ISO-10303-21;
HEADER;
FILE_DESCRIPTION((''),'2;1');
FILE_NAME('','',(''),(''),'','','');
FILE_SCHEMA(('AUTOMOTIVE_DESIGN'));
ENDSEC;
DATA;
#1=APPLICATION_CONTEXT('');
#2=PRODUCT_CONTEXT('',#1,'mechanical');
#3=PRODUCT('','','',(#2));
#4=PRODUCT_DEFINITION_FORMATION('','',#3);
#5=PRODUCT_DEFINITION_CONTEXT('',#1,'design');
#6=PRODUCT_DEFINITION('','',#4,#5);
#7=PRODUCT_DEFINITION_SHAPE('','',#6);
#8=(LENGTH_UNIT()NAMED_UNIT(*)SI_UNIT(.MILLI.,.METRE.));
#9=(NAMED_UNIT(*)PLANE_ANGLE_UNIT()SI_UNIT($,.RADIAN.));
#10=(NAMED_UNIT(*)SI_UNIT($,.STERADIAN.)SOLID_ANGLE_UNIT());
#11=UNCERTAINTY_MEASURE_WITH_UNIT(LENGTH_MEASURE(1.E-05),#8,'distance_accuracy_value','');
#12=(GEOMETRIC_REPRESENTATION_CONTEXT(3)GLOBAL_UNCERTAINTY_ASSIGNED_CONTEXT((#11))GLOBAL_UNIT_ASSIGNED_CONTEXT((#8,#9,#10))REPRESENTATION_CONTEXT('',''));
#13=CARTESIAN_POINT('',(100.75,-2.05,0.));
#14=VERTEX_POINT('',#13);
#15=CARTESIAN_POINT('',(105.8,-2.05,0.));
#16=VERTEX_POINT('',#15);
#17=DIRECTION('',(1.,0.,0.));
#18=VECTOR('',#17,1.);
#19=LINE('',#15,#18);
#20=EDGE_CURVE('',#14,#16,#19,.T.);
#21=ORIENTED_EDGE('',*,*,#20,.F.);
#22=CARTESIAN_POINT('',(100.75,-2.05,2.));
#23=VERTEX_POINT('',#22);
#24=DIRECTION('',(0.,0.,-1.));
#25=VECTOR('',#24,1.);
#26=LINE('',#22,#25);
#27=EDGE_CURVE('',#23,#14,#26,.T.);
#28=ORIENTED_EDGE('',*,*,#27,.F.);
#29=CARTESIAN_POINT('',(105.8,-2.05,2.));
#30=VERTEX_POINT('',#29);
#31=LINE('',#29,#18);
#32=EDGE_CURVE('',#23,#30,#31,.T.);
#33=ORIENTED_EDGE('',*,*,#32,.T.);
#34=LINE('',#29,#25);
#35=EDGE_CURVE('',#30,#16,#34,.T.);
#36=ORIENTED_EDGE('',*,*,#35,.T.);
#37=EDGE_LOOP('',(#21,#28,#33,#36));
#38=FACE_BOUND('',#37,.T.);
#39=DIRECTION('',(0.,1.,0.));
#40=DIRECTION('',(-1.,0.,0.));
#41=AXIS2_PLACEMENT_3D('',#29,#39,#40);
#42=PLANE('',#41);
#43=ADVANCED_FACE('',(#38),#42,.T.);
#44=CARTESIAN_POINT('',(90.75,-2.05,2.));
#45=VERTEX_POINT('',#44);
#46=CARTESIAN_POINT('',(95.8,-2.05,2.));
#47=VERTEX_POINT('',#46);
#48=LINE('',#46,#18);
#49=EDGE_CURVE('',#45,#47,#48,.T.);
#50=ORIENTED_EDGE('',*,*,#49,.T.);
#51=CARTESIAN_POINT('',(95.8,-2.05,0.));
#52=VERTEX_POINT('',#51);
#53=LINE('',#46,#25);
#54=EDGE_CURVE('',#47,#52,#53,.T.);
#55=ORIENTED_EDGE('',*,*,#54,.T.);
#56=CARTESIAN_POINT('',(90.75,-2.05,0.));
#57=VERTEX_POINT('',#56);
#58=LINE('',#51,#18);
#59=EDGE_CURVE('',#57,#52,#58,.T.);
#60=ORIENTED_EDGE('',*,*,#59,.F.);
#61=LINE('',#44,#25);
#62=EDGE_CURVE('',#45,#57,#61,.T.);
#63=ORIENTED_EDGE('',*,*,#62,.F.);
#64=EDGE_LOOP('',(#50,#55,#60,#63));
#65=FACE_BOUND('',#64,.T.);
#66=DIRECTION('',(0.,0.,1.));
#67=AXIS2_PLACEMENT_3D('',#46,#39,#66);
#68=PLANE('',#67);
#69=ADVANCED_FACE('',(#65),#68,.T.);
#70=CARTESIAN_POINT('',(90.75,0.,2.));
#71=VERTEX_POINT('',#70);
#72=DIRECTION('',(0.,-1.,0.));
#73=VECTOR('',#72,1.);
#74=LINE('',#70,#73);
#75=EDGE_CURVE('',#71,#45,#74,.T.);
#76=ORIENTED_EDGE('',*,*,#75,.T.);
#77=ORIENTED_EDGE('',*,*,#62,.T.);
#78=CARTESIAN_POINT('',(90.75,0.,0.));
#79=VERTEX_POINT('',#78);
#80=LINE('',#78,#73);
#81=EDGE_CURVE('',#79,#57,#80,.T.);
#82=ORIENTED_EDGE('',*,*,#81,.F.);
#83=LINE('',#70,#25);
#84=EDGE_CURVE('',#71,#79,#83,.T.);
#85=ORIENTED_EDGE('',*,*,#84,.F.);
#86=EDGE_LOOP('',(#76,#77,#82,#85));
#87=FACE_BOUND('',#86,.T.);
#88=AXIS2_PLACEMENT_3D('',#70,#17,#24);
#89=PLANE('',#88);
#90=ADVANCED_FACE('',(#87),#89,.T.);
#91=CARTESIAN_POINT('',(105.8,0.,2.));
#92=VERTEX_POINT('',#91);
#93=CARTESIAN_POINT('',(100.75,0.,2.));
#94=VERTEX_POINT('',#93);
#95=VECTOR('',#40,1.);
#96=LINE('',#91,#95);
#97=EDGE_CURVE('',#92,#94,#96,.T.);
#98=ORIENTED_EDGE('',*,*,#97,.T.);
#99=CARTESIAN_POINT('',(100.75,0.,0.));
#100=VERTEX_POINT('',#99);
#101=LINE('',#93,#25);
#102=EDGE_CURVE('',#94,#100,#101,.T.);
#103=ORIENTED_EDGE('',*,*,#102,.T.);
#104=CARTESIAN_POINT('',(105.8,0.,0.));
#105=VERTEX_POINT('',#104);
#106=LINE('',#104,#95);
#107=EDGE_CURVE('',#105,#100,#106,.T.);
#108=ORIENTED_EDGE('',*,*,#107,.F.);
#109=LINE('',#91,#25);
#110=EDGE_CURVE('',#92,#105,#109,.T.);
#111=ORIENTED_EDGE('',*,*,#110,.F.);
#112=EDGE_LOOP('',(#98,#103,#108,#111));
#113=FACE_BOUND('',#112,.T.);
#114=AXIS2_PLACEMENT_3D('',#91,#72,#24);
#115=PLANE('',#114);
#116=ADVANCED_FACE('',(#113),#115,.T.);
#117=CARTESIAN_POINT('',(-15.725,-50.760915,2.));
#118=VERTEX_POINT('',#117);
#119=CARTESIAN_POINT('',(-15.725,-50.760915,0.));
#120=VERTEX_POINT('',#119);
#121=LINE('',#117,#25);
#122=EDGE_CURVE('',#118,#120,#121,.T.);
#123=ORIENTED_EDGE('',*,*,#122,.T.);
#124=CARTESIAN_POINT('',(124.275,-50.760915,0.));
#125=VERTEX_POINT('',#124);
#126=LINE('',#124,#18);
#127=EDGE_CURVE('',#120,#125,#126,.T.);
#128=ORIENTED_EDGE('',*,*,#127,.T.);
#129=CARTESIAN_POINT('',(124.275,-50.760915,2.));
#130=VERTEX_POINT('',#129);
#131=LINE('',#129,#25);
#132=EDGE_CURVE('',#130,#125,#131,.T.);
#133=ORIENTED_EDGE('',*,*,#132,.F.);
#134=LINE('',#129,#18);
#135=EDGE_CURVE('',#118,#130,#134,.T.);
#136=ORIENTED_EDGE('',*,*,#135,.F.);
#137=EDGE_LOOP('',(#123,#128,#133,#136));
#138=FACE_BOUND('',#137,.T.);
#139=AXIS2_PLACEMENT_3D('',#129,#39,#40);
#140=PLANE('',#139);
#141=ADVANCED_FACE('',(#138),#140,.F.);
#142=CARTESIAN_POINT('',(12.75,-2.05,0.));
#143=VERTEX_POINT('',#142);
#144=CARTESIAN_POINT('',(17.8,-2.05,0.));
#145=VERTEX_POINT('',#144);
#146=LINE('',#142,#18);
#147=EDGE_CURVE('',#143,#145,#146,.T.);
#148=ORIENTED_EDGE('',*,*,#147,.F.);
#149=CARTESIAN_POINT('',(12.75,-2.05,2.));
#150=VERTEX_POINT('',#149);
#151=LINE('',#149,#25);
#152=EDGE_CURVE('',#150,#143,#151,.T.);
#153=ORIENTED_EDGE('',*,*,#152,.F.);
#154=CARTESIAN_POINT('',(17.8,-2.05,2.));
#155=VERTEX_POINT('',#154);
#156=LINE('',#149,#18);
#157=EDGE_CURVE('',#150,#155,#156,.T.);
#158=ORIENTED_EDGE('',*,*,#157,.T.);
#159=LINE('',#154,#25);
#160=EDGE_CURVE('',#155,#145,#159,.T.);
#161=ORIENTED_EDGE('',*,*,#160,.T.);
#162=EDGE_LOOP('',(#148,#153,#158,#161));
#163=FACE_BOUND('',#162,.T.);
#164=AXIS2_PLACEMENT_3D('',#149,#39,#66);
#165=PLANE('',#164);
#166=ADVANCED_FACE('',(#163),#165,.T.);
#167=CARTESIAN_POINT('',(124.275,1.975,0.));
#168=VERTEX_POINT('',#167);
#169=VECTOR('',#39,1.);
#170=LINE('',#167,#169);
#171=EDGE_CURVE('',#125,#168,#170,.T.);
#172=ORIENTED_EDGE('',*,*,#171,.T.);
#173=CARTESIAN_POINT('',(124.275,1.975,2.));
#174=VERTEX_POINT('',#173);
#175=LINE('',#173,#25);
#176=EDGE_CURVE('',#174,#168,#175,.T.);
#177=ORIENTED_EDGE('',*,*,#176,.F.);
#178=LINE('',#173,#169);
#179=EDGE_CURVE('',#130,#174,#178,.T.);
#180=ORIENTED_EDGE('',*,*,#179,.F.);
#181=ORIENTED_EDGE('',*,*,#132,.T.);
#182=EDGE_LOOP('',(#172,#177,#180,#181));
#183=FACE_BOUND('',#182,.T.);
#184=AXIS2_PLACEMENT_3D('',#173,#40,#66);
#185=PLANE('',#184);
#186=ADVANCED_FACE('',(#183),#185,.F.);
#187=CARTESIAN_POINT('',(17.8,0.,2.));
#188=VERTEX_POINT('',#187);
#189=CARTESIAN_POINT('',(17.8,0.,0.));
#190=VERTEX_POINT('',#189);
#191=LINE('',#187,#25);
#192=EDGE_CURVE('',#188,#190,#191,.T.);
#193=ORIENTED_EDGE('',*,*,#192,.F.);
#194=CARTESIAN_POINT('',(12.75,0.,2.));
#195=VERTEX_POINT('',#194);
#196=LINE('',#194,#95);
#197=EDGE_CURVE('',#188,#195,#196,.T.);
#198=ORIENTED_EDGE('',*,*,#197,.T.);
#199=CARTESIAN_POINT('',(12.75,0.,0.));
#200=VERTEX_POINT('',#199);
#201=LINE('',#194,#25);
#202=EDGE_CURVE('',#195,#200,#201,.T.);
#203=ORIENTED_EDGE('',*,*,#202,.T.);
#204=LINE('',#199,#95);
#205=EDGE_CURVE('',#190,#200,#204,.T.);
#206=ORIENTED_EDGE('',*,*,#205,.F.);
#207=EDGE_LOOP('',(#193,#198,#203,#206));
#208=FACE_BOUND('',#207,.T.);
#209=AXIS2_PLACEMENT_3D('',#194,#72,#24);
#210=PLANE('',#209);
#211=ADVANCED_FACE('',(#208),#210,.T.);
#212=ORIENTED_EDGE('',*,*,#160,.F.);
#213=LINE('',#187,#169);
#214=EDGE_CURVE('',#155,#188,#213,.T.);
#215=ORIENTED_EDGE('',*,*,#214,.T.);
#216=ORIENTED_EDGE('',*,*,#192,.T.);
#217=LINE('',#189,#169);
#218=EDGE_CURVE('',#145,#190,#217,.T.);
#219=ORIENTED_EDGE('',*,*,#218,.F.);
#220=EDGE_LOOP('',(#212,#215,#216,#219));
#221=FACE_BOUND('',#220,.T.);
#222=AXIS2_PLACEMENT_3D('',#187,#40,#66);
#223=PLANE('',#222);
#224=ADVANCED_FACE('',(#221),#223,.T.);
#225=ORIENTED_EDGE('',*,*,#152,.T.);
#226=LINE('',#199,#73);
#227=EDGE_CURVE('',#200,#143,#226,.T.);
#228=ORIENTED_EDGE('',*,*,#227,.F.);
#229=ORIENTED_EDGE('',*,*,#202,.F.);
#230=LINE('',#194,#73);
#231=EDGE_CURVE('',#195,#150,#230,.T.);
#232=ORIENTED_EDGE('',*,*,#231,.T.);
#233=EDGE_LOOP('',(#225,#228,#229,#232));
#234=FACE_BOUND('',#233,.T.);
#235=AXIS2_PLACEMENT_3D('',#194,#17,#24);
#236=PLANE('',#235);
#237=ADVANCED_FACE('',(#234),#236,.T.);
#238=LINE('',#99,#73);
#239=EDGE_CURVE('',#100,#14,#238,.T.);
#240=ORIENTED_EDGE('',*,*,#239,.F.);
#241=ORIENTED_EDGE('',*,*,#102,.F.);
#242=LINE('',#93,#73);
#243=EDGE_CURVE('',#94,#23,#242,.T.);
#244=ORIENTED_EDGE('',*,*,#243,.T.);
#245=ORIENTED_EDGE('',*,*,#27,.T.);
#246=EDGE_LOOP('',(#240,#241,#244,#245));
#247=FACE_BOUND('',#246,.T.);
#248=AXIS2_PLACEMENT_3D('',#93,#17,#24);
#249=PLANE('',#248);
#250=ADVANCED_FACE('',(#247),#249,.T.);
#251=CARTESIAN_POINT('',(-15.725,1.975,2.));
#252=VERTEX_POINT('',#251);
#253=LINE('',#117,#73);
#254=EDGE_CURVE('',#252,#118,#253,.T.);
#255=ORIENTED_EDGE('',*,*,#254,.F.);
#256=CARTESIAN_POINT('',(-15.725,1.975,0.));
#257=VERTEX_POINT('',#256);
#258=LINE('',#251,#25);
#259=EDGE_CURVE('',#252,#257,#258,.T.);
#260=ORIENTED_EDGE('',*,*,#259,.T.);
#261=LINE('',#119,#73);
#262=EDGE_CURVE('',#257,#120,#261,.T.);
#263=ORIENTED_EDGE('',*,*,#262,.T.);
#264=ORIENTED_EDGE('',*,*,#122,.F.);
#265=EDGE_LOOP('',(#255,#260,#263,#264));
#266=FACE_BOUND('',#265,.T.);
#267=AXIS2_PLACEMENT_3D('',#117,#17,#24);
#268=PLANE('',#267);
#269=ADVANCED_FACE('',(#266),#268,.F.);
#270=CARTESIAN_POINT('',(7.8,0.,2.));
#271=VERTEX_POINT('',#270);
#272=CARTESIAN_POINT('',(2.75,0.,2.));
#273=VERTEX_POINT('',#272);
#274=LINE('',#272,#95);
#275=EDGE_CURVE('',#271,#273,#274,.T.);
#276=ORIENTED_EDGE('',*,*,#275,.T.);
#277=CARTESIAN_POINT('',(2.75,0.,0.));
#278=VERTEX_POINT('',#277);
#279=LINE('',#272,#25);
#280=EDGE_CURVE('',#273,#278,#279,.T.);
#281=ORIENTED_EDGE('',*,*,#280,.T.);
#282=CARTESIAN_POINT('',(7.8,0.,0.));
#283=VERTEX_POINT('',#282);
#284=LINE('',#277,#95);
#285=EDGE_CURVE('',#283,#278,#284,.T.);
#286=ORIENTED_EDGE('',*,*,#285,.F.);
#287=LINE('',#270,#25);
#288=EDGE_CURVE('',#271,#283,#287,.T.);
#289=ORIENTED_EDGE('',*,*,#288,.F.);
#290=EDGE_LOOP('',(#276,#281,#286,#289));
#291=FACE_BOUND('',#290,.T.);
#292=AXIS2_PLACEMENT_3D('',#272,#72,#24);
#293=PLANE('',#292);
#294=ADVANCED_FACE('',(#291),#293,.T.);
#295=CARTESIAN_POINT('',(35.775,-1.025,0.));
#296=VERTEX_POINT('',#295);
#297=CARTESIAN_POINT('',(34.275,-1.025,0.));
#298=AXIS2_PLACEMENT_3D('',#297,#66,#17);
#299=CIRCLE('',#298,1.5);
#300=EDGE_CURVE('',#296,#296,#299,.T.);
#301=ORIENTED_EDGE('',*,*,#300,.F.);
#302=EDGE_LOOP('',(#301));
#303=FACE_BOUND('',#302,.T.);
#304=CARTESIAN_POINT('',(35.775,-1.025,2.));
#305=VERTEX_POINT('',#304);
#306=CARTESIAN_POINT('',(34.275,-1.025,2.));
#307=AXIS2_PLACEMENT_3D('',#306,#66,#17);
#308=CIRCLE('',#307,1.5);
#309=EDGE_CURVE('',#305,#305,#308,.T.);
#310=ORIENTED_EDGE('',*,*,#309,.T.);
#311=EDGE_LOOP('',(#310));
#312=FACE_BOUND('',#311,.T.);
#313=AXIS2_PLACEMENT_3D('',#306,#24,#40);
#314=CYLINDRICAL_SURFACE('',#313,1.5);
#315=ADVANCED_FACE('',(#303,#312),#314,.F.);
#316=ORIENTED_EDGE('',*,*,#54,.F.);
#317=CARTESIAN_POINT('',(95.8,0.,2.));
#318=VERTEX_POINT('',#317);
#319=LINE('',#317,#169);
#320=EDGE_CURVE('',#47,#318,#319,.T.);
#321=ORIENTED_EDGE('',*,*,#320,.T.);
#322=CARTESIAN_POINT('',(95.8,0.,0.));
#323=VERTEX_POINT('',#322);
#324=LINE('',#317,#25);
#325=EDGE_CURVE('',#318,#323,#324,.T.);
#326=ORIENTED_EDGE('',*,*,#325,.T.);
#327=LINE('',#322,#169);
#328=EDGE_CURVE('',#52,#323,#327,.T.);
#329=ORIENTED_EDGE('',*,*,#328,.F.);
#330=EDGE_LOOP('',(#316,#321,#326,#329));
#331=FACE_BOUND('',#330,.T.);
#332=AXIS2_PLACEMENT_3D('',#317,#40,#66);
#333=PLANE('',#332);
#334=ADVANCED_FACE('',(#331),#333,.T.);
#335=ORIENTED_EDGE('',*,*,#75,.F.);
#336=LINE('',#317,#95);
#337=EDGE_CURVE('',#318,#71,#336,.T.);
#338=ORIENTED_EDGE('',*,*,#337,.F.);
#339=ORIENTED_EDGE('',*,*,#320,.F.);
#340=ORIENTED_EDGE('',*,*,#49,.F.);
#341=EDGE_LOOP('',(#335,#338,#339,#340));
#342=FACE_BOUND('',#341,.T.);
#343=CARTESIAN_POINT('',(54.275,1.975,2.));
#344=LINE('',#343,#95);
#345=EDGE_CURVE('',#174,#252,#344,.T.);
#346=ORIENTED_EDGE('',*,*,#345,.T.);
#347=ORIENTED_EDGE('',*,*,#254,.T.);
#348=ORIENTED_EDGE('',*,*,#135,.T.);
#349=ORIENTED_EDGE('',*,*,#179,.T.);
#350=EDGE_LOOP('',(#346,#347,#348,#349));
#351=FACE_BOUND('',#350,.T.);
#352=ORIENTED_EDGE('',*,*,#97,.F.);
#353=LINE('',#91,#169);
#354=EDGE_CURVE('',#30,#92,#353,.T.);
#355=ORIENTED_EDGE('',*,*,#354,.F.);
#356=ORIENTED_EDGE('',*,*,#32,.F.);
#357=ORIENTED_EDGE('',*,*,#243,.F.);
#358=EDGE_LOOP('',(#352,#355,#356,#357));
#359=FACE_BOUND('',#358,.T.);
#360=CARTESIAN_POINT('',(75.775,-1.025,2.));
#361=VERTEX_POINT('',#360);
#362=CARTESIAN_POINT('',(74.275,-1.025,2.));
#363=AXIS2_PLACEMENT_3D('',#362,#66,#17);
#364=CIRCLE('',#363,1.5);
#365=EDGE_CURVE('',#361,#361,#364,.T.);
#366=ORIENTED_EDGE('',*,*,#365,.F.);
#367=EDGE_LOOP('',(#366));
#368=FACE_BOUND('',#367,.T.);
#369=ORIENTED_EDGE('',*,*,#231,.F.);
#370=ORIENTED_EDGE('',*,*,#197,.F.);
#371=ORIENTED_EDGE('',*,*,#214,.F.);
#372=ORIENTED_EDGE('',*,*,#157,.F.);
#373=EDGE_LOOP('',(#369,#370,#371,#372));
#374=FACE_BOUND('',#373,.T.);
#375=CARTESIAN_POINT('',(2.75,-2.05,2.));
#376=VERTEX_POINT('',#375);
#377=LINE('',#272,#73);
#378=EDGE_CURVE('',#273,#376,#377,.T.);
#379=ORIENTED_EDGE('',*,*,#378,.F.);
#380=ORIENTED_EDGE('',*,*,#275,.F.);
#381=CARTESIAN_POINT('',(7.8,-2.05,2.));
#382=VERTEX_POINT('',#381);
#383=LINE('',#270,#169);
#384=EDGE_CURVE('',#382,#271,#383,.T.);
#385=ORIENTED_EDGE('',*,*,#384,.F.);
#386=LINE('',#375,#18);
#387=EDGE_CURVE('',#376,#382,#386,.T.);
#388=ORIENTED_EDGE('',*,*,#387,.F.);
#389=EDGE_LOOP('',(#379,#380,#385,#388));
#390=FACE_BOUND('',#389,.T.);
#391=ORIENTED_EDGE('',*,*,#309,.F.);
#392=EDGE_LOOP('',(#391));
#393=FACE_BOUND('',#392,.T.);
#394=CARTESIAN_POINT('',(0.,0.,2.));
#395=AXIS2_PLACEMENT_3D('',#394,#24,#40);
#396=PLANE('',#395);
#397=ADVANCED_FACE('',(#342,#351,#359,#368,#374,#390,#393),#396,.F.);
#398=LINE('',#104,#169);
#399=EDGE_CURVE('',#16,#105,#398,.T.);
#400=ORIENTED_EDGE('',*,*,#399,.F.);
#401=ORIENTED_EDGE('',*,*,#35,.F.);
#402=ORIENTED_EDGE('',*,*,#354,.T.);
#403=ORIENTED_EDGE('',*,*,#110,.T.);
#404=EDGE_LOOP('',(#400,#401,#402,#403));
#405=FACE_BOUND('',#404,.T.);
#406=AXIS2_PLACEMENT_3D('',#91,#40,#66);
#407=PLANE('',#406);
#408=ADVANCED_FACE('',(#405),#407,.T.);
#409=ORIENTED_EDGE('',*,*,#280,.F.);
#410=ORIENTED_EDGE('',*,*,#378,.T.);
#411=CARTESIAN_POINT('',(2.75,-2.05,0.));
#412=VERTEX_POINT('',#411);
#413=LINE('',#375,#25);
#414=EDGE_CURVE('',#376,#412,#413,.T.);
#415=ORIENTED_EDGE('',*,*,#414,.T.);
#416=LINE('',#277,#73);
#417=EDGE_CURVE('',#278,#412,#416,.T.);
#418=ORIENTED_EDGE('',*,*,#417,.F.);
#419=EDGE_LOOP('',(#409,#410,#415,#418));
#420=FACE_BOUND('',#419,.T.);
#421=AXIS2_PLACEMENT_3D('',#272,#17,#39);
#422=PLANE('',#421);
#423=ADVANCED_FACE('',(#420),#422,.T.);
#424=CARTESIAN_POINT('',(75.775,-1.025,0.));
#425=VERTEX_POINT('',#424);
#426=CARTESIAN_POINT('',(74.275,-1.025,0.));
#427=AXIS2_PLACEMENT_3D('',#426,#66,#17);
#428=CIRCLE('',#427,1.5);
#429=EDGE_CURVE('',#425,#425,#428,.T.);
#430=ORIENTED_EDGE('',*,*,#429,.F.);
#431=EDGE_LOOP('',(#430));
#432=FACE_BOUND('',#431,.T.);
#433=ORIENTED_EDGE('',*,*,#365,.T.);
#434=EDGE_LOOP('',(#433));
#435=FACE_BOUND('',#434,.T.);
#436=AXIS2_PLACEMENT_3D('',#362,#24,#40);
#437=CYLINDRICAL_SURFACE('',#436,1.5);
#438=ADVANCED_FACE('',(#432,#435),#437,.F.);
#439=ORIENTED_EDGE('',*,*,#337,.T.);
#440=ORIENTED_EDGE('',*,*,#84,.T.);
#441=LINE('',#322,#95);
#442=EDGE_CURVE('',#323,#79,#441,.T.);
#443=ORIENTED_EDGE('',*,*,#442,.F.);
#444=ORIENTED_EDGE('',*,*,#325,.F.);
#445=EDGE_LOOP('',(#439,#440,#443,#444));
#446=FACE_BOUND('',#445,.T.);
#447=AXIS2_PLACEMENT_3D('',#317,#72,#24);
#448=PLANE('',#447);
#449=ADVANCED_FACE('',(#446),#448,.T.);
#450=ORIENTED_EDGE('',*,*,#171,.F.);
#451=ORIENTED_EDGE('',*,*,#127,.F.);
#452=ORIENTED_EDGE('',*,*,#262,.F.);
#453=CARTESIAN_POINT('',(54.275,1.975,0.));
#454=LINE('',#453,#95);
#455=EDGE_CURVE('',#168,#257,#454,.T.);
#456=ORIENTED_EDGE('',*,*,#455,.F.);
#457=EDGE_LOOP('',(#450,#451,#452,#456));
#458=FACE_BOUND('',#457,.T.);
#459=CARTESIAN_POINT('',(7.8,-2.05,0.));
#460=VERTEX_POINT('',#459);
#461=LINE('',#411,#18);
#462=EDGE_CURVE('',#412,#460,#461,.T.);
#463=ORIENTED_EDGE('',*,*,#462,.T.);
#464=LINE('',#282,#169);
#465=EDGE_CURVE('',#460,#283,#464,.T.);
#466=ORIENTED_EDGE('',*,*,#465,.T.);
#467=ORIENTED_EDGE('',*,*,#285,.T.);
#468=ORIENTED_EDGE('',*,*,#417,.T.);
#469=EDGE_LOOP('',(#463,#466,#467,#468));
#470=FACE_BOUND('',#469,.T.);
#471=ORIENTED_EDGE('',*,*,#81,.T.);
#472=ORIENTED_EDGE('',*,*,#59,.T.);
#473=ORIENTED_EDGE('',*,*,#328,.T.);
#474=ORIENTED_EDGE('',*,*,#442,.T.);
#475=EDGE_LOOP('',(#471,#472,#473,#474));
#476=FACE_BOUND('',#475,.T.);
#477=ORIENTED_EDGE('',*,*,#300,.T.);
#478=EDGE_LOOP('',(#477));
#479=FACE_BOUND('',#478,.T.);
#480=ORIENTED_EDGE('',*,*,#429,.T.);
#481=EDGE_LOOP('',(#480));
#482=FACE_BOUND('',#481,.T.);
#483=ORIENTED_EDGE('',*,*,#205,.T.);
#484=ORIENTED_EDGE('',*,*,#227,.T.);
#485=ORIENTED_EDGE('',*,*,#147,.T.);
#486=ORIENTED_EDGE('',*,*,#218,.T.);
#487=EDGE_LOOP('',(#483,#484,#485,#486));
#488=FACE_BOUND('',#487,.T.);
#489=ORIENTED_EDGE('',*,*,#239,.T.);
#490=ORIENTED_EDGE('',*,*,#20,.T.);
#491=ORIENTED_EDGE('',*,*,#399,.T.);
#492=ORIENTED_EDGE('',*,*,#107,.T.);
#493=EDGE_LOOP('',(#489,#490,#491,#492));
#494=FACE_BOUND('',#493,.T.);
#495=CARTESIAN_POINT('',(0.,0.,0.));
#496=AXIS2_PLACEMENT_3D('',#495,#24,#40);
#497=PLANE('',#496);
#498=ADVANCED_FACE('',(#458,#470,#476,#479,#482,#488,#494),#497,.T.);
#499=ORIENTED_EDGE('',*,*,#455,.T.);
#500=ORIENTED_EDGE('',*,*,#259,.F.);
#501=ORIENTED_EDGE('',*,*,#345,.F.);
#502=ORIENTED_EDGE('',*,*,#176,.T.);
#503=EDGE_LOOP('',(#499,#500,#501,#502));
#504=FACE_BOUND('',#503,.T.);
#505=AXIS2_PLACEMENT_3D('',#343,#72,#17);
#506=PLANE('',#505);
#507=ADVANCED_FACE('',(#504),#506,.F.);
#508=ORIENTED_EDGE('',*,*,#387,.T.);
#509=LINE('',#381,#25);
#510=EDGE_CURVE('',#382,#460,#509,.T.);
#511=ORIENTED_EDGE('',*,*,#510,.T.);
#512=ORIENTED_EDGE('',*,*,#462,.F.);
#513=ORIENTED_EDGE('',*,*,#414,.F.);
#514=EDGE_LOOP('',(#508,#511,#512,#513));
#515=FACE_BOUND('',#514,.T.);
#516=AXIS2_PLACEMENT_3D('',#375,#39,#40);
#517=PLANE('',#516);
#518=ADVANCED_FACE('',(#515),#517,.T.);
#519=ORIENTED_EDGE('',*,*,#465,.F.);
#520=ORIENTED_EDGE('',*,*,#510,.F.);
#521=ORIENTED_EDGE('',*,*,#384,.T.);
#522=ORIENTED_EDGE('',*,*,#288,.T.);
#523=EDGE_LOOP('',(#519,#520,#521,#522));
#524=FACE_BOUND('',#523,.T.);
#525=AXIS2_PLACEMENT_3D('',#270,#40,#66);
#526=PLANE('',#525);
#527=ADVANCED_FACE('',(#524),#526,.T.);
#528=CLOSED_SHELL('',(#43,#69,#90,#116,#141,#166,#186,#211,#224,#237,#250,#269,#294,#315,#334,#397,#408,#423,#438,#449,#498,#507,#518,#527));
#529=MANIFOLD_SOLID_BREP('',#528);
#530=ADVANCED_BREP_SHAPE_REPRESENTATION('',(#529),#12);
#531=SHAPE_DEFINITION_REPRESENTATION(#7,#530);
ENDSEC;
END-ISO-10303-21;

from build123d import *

# Parameters (mm, degrees)
SKETCH_1_R      = 1.5
SKETCH_1_W      = 5.05
SKETCH_1_H      = 2.05
EXTRUDE_1_DEPTH = 2


with BuildPart() as part:
    # 草图1 → 凸台-拉伸1 (new body)
    with BuildSketch(Plane.XY):
        Polygon((54.275, 1.975), (-15.725, 1.975), (-15.725, -50.760914608), (124.275, -50.760914608), (124.275, 1.975), align=None)
        with Locations((34.275, -1.025)):
            Circle(SKETCH_1_R, mode=Mode.SUBTRACT)
        with Locations((74.275, -1.025)):
            Circle(SKETCH_1_R, mode=Mode.SUBTRACT)
        with Locations((15.275, -1.025)):
            Rectangle(SKETCH_1_W, SKETCH_1_H, mode=Mode.SUBTRACT)
        with Locations((5.275, -1.025)):
            Rectangle(SKETCH_1_W, SKETCH_1_H, mode=Mode.SUBTRACT)
        with Locations((103.275, -1.025)):
            Rectangle(SKETCH_1_W, SKETCH_1_H, mode=Mode.SUBTRACT)
        with Locations((93.275, -1.025)):
            Rectangle(SKETCH_1_W, SKETCH_1_H, mode=Mode.SUBTRACT)
    extrude(amount=EXTRUDE_1_DEPTH)


solid = part.part
